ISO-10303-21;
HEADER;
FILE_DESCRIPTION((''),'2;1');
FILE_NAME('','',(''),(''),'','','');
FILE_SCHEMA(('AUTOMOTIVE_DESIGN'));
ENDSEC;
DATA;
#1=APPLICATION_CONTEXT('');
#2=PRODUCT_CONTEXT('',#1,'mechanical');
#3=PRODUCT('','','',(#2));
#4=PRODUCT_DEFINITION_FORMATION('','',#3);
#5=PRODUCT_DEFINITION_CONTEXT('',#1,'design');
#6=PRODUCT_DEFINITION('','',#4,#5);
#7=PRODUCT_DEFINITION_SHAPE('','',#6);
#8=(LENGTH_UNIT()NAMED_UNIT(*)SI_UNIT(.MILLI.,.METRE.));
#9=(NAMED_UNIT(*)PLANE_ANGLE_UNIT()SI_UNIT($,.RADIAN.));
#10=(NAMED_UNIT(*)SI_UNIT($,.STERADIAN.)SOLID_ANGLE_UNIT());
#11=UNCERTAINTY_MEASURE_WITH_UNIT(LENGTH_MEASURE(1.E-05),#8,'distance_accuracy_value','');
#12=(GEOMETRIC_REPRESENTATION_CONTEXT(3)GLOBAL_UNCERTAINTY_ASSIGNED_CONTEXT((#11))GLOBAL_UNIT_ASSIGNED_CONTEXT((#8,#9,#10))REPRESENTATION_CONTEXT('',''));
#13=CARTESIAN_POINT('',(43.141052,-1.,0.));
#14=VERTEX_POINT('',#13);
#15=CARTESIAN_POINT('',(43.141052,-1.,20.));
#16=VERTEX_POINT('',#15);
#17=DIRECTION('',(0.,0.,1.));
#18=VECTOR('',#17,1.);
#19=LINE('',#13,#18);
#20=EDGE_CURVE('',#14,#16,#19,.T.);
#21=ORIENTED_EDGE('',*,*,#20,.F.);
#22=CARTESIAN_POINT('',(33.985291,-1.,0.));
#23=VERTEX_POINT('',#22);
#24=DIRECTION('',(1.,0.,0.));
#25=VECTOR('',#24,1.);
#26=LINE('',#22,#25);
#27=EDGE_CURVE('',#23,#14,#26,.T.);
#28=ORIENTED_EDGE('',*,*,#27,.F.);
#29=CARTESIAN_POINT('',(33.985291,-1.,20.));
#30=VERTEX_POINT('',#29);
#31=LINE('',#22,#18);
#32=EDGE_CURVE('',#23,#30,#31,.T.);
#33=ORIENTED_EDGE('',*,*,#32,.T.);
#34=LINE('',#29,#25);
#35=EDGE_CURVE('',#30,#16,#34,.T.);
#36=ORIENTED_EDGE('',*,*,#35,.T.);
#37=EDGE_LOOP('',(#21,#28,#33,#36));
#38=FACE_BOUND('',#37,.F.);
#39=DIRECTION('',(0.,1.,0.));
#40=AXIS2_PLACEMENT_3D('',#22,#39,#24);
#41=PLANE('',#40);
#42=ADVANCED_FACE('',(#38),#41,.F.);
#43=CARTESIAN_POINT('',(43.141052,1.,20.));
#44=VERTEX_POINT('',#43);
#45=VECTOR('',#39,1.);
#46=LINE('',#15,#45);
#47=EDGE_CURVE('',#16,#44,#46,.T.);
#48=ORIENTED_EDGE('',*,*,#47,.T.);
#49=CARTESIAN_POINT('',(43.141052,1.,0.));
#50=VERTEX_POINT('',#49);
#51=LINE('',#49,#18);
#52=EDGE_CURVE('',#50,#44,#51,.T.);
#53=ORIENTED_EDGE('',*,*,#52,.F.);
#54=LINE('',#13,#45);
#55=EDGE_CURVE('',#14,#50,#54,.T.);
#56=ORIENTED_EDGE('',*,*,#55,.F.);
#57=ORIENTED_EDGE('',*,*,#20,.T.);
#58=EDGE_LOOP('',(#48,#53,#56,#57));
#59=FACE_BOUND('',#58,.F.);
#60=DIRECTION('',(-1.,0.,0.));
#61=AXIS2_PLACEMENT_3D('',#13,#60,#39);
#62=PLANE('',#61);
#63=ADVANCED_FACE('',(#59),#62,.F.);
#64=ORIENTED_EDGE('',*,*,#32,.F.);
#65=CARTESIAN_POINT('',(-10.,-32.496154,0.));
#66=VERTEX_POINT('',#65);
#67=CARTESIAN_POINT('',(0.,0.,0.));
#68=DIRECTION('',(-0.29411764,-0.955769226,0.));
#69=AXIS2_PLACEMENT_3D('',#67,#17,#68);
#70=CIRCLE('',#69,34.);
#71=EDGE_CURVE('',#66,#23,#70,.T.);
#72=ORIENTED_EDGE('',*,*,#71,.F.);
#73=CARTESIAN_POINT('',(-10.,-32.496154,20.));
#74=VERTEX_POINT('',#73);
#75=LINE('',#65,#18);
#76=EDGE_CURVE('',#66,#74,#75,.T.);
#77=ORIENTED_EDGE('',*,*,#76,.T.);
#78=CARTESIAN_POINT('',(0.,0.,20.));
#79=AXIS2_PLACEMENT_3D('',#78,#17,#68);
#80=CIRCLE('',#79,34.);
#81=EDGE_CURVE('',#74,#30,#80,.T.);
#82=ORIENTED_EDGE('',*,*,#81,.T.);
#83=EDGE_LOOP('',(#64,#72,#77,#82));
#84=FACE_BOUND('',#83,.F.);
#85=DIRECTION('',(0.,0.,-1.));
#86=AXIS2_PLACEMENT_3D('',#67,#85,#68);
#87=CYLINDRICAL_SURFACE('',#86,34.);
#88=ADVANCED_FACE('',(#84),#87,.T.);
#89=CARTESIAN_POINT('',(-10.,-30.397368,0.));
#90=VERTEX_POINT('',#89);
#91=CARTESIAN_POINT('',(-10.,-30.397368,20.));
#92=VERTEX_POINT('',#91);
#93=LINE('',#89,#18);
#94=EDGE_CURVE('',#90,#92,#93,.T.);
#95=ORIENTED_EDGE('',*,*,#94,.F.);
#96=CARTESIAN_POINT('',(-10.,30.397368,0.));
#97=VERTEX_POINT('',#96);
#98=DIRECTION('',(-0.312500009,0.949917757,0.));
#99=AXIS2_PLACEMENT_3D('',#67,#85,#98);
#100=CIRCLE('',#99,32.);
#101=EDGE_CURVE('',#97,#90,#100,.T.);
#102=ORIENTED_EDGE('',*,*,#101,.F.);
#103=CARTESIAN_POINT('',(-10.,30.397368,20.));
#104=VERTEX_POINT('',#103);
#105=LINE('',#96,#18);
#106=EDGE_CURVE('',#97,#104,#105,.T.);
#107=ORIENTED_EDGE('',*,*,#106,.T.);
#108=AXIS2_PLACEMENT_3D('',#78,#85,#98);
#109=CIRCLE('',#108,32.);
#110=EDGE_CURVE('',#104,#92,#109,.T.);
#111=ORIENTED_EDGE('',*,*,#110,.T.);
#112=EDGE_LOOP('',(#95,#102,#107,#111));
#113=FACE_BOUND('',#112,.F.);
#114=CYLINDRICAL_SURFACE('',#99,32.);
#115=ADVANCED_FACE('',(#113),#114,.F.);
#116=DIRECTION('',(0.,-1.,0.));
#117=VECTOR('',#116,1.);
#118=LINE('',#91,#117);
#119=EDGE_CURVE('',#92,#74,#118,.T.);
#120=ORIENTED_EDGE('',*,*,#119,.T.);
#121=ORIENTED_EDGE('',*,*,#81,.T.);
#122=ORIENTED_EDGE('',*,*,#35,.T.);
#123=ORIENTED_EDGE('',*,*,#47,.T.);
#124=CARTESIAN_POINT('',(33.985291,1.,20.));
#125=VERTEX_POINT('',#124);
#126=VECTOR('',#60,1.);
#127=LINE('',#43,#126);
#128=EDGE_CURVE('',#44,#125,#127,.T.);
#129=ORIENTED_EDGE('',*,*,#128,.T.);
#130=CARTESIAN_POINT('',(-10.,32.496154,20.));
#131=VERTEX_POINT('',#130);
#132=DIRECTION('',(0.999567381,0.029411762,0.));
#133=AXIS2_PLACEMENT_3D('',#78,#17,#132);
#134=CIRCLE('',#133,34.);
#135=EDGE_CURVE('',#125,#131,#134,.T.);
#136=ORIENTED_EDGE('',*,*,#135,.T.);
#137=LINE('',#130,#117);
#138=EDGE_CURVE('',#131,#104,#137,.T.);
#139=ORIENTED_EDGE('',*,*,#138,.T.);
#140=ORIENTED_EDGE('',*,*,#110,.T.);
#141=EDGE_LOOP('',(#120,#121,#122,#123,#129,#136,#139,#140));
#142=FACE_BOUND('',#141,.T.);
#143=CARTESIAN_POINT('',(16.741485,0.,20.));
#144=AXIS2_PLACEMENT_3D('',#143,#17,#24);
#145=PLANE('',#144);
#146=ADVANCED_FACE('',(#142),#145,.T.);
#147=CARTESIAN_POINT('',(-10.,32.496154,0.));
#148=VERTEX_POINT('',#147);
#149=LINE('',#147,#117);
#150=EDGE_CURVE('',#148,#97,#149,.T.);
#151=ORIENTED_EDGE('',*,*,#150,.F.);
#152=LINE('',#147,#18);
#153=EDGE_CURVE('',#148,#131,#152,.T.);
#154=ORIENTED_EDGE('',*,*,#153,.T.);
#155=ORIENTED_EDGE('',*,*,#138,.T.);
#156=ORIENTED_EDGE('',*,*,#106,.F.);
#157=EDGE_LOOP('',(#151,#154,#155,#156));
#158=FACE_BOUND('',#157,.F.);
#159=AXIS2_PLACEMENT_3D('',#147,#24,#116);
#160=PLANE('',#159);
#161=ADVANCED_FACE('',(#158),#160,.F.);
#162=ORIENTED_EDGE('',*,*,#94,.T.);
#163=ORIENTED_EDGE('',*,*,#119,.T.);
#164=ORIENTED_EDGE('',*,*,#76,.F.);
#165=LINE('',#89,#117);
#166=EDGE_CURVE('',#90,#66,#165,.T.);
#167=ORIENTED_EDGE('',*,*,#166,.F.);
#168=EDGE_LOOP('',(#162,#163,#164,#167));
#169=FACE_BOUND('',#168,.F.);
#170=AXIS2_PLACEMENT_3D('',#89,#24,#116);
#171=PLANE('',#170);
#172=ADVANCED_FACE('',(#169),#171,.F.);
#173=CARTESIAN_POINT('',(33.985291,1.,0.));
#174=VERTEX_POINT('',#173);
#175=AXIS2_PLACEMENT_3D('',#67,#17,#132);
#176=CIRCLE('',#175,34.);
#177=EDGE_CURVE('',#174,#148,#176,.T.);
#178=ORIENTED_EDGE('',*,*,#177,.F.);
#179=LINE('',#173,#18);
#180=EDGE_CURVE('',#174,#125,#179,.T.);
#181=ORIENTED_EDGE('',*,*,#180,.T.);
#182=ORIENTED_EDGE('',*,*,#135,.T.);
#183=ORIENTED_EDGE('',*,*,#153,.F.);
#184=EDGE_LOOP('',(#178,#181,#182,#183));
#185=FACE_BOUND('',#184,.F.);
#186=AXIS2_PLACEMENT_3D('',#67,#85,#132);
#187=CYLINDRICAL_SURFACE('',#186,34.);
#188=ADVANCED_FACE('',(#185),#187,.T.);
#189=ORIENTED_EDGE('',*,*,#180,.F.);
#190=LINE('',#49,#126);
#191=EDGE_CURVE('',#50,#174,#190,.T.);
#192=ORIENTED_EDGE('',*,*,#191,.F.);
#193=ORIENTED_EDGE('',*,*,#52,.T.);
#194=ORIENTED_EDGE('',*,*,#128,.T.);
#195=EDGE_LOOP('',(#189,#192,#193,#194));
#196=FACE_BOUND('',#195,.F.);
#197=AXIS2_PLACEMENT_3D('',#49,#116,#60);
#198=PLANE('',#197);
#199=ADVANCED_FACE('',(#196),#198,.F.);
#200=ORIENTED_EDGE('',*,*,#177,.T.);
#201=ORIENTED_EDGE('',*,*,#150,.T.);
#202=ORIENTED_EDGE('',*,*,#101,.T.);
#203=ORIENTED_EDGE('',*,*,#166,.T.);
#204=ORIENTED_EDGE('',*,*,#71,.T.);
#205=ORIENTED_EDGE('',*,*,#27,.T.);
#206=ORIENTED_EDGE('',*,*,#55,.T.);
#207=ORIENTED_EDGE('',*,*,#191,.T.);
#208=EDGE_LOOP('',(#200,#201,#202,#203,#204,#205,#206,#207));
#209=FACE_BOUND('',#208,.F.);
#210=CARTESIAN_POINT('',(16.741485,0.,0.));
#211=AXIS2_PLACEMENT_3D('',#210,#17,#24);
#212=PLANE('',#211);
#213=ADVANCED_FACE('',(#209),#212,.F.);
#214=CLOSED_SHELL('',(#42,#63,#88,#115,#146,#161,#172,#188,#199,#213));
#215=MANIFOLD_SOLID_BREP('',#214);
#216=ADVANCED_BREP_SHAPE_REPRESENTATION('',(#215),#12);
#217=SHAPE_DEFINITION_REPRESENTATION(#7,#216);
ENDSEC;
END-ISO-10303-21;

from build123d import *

# Parameters (mm, degrees)
F1_DEPTH = 20


with BuildPart() as f1:
    # F0 (on Top) → F1 (new body)
    with BuildSketch(Plane.XY):
        with BuildLine():
            ThreePointArc((-10, 30.397368), (32, 0), (-10, -30.397368))
            Line((-10, -30.397368), (-10, -32.496154))
            ThreePointArc((-10, -32.496154), (19.794582, -27.643707), (33.985291, -1))
            Line((33.985291, -1), (43.141052, -1))
            Line((43.141052, -1), (43.141052, 1))
            Line((43.141052, 1), (33.985291, 1))
            ThreePointArc((33.985291, 1), (19.794582, 27.643707), (-10, 32.496154))
            Line((-10, 32.496154), (-10, 30.397368))
        make_face()
    extrude(amount=F1_DEPTH)


solid = f1.part
